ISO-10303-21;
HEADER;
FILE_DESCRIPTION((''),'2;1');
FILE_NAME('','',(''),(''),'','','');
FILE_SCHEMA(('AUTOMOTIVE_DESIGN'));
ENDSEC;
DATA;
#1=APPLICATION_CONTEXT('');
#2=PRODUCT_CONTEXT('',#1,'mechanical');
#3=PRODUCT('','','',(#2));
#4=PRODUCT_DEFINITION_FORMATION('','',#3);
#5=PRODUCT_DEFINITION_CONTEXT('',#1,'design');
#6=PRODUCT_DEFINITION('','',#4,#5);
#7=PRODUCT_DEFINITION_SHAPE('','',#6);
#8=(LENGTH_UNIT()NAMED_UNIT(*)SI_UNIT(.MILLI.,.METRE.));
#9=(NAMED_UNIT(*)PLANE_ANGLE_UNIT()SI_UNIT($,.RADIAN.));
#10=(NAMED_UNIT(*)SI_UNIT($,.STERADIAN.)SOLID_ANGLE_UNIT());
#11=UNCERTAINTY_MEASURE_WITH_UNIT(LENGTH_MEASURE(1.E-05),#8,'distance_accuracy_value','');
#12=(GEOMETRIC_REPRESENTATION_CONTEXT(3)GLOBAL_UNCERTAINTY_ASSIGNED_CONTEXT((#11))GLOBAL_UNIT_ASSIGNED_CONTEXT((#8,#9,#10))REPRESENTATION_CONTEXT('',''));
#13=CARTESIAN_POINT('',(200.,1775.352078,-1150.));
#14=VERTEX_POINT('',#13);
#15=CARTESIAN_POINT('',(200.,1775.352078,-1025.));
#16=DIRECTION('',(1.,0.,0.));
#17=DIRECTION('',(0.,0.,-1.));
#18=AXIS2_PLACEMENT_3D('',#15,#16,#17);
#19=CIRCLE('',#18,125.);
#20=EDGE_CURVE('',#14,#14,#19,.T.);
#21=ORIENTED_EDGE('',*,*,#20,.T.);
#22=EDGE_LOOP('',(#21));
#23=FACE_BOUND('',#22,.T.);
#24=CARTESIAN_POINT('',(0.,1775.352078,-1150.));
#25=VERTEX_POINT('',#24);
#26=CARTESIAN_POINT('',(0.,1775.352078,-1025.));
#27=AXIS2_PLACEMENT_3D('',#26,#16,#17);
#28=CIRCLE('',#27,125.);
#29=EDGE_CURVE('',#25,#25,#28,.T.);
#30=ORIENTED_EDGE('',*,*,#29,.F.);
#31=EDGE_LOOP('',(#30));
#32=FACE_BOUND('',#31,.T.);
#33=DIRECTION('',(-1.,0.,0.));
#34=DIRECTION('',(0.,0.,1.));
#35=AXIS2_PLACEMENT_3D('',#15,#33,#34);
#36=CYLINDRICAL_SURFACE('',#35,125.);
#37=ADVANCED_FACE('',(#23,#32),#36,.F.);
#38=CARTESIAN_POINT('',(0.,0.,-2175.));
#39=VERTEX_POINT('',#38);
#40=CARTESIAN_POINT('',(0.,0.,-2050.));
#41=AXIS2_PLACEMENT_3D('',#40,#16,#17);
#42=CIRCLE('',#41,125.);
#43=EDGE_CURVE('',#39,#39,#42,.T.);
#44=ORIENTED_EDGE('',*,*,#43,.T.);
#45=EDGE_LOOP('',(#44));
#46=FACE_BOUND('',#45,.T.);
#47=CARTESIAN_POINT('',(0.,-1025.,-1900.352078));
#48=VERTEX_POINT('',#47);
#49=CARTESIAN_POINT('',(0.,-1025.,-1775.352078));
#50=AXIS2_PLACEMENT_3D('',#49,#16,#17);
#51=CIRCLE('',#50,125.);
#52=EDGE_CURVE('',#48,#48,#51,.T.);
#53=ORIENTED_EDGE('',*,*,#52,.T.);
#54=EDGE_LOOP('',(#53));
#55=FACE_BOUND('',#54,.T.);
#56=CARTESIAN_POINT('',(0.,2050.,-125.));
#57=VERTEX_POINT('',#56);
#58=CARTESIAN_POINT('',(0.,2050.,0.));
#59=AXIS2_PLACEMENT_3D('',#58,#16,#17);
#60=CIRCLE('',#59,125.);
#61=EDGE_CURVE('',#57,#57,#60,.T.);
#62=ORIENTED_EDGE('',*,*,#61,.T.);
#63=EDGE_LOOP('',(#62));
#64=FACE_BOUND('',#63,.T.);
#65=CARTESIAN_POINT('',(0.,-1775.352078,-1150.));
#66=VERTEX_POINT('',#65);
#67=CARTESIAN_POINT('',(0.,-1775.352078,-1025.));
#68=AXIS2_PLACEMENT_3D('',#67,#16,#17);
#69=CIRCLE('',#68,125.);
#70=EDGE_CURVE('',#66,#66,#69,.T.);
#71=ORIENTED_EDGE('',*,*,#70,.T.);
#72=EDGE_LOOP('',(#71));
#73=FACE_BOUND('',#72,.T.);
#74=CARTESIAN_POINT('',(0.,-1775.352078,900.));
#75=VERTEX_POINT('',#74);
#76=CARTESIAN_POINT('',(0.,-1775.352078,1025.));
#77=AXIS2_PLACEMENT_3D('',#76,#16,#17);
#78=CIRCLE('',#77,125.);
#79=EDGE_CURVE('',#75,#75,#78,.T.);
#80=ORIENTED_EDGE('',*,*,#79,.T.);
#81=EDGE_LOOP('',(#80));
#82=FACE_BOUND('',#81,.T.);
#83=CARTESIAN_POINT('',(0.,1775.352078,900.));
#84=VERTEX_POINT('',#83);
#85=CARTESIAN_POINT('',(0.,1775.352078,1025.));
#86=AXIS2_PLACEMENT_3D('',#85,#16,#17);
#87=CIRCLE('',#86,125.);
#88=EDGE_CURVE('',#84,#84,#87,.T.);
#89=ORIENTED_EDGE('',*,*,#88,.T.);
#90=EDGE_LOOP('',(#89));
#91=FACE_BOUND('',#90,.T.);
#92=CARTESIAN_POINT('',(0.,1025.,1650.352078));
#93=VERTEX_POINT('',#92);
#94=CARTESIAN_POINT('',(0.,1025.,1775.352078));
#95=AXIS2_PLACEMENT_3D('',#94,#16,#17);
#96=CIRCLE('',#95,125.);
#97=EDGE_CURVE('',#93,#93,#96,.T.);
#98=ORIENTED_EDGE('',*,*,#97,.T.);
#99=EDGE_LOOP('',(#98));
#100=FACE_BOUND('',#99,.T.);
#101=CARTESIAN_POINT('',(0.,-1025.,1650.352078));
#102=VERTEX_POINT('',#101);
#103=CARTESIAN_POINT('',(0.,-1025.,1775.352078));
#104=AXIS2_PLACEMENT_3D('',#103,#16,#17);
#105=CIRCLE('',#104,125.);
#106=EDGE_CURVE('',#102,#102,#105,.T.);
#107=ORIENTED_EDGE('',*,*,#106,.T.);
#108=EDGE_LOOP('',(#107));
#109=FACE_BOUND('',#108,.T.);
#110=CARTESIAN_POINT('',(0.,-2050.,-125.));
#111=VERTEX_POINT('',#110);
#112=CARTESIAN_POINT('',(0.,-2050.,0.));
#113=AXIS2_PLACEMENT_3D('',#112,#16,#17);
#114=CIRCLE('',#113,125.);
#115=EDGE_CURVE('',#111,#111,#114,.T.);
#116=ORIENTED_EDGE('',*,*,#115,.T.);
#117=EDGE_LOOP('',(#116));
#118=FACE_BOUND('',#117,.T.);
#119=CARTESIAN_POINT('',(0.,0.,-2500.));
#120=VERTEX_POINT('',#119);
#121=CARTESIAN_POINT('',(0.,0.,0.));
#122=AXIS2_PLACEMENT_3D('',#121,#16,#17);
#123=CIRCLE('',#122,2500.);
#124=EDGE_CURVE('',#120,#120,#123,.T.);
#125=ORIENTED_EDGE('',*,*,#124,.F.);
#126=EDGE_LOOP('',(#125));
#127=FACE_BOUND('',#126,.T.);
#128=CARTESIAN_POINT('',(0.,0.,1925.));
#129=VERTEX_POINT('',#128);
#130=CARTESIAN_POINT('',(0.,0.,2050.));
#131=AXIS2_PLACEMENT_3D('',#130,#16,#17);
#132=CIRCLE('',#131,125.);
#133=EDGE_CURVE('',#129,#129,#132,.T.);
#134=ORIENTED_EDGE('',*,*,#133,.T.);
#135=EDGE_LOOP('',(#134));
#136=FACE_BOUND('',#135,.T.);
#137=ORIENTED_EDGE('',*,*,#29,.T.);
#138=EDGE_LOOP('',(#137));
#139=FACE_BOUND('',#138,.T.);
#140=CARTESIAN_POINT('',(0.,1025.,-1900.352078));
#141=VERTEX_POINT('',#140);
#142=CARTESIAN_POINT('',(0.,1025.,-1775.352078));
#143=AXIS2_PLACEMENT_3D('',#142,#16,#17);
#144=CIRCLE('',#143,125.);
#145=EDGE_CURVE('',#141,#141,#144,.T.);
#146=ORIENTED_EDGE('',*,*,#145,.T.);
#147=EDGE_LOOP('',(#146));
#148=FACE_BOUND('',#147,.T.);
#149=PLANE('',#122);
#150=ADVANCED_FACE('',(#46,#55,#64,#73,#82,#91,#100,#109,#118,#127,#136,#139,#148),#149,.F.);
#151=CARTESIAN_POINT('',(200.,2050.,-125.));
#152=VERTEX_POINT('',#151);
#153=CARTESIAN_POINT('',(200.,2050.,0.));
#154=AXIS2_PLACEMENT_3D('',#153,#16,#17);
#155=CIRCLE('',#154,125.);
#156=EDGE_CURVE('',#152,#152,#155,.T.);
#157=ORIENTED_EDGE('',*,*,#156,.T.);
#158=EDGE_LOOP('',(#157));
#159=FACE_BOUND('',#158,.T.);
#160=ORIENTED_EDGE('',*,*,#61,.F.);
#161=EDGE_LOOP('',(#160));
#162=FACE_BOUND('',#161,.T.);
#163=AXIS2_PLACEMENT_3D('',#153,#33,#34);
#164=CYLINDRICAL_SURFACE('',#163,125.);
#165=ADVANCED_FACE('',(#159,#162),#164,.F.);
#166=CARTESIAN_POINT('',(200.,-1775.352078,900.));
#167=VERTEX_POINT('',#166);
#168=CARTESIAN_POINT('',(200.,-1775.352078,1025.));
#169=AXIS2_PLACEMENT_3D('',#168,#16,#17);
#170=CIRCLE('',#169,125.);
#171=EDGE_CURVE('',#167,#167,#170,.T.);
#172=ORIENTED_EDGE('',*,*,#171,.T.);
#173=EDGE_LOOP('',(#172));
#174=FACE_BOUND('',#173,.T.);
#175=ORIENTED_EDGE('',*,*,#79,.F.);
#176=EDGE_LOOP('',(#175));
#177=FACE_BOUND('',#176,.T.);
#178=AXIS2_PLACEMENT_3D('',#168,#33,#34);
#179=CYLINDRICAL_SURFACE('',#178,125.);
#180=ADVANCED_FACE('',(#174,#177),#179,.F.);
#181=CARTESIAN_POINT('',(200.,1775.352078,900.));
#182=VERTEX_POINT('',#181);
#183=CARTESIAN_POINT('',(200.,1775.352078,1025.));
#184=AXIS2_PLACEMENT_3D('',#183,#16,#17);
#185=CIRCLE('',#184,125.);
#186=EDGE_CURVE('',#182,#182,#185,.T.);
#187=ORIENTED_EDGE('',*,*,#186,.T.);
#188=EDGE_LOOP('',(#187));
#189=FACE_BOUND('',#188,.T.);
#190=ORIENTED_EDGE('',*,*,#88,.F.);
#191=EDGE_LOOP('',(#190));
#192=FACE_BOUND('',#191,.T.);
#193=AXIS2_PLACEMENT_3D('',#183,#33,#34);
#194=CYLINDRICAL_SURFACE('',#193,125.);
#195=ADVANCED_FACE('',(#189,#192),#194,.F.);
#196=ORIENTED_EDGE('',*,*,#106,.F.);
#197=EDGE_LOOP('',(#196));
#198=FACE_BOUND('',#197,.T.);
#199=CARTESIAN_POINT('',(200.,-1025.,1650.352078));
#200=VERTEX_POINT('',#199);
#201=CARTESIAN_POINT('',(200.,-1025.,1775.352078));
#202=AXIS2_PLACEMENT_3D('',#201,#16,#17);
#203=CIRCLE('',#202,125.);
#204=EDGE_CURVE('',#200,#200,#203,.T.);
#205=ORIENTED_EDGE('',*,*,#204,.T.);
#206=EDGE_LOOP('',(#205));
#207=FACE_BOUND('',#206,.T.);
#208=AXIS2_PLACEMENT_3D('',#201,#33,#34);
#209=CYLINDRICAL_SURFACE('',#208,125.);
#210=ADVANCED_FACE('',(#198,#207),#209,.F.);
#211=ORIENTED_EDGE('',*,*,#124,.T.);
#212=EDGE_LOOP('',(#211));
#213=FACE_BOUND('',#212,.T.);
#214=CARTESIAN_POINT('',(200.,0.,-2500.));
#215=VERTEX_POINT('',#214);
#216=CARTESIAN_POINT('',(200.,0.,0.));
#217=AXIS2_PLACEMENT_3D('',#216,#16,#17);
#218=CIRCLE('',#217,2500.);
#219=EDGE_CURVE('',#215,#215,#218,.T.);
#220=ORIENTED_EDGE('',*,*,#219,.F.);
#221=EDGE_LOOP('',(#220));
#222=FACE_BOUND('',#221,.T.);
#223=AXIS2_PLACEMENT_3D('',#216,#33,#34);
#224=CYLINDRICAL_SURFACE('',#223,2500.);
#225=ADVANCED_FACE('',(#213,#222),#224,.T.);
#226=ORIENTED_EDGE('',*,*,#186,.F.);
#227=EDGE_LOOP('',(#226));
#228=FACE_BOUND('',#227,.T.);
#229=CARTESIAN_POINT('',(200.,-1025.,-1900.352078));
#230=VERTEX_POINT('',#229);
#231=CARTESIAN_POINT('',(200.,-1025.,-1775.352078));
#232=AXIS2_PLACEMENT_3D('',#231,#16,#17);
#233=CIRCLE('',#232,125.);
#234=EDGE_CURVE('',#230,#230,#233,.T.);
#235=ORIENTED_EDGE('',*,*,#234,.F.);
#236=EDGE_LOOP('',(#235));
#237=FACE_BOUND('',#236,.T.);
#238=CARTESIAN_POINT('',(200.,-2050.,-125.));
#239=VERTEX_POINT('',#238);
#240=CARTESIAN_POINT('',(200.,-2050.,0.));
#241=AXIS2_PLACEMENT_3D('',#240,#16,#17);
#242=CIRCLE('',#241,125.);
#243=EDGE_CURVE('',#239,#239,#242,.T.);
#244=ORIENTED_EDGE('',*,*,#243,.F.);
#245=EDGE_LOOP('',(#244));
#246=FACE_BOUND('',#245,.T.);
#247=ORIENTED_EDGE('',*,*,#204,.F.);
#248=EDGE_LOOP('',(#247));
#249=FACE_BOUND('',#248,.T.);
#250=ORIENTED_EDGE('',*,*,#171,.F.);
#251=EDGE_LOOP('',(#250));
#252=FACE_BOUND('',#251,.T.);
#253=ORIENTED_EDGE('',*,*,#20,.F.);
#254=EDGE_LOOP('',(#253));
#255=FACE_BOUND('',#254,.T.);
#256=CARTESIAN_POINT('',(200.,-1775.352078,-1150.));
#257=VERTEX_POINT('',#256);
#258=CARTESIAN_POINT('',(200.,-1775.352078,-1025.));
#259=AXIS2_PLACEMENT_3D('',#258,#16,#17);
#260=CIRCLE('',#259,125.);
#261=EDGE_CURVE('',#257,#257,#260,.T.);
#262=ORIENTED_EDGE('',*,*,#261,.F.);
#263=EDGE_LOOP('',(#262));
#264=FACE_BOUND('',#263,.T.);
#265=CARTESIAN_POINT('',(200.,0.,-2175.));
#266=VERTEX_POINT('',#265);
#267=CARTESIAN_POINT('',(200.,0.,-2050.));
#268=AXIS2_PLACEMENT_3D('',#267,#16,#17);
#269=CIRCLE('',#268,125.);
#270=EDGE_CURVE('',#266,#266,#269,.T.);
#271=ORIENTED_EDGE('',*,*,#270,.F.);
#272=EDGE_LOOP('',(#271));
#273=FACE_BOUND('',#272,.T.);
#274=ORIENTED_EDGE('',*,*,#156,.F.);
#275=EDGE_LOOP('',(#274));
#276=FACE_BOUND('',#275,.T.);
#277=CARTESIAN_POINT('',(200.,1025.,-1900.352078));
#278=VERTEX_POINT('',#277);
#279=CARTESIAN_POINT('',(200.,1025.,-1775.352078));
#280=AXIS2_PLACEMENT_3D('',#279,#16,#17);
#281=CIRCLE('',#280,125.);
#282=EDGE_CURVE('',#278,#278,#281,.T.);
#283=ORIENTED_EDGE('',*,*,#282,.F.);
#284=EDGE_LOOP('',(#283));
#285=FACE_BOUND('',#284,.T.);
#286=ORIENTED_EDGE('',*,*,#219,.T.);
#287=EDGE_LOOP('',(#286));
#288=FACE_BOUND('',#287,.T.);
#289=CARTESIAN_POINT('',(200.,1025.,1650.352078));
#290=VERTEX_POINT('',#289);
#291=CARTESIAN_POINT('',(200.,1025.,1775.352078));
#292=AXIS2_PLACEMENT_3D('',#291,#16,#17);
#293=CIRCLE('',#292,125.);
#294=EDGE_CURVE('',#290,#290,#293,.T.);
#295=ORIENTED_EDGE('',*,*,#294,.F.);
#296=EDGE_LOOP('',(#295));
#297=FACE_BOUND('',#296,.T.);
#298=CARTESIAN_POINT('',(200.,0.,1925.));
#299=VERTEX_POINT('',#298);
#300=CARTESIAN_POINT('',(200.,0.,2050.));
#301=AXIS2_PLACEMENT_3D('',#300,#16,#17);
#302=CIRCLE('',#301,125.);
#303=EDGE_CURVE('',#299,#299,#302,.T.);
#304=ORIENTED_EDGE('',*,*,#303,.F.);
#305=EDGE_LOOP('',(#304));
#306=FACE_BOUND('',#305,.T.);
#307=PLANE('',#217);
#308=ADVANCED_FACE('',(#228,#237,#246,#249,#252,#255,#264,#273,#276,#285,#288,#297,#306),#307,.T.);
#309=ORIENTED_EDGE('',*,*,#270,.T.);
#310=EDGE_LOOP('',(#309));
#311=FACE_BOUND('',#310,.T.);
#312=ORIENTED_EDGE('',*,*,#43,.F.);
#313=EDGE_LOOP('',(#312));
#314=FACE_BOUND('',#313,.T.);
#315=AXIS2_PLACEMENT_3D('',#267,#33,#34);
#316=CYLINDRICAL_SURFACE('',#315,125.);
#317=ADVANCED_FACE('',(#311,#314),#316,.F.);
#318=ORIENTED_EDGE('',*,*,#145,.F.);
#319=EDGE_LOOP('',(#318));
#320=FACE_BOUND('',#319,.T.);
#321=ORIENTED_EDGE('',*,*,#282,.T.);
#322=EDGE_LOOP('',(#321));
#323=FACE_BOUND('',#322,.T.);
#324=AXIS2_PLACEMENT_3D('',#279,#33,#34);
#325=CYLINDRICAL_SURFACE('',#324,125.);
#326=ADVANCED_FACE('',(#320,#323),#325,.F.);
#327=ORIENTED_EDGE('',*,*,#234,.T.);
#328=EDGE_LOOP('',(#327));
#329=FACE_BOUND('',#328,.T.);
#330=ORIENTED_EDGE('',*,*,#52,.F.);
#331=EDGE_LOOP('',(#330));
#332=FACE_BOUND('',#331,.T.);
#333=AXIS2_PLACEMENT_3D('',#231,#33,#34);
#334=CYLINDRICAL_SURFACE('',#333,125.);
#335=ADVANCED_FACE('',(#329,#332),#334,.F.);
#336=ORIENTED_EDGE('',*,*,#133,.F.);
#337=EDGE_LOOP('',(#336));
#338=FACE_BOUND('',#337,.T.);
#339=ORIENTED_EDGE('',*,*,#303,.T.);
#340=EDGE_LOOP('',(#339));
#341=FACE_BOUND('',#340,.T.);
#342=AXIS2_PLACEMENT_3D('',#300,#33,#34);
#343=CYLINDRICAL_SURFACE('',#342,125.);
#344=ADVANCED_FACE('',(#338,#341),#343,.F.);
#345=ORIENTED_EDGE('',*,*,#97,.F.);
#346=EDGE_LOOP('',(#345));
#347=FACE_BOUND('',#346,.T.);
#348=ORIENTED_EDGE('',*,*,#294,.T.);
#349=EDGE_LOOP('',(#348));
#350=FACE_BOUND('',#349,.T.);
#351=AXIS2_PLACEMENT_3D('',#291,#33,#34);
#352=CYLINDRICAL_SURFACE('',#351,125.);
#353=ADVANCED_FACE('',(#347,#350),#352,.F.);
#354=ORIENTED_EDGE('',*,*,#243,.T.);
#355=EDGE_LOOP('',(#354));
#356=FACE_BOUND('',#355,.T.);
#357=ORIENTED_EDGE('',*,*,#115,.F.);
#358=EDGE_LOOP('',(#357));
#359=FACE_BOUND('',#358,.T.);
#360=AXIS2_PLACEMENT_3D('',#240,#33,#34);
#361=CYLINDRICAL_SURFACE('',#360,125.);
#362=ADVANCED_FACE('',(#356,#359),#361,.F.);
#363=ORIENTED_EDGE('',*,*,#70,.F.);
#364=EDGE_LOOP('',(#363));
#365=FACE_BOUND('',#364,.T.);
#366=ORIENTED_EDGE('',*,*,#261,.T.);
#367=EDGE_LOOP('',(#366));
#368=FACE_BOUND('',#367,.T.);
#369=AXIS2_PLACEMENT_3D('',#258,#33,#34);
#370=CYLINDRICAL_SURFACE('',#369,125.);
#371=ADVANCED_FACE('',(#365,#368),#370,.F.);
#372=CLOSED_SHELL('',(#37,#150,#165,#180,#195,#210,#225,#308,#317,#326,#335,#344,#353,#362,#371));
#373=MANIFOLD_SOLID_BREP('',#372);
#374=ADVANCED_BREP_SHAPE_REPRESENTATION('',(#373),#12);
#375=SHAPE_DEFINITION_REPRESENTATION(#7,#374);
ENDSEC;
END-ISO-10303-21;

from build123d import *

# Parameters (mm, degrees)
SKETCH1_R           = 2500
SKETCH1_R_2         = 125
BOSS_EXTRUDE1_DEPTH = 200


with BuildPart() as part:
    # Sketch1 → Boss-Extrude1 (new body)
    with BuildSketch(Plane(origin=(0, 0, 0), x_dir=(0, 0, -1), z_dir=(1, 0, 0))):
        Circle(SKETCH1_R)
        with Locations((0, 2050)):
            Circle(SKETCH1_R_2, mode=Mode.SUBTRACT)
        with Locations((1025, 1775.352077758)):
            Circle(SKETCH1_R_2, mode=Mode.SUBTRACT)
        with Locations((1775.352077758, 1025)):
            Circle(SKETCH1_R_2, mode=Mode.SUBTRACT)
        with Locations((2050, 0)):
            Circle(SKETCH1_R_2, mode=Mode.SUBTRACT)
        with Locations((1775.352077758, -1025)):
            Circle(SKETCH1_R_2, mode=Mode.SUBTRACT)
        with Locations((1025, -1775.352077758)):
            Circle(SKETCH1_R_2, mode=Mode.SUBTRACT)
        with Locations((0, -2050)):
            Circle(SKETCH1_R_2, mode=Mode.SUBTRACT)
        with Locations((-1025, -1775.352077758)):
            Circle(SKETCH1_R_2, mode=Mode.SUBTRACT)
        with Locations((-1775.352077758, -1025)):
            Circle(SKETCH1_R_2, mode=Mode.SUBTRACT)
        with Locations((-2050, 0)):
            Circle(SKETCH1_R_2, mode=Mode.SUBTRACT)
        with Locations((-1775.352077758, 1025)):
            Circle(SKETCH1_R_2, mode=Mode.SUBTRACT)
        with Locations((-1025, 1775.352077758)):
            Circle(SKETCH1_R_2, mode=Mode.SUBTRACT)
    extrude(amount=BOSS_EXTRUDE1_DEPTH)


solid = part.part
